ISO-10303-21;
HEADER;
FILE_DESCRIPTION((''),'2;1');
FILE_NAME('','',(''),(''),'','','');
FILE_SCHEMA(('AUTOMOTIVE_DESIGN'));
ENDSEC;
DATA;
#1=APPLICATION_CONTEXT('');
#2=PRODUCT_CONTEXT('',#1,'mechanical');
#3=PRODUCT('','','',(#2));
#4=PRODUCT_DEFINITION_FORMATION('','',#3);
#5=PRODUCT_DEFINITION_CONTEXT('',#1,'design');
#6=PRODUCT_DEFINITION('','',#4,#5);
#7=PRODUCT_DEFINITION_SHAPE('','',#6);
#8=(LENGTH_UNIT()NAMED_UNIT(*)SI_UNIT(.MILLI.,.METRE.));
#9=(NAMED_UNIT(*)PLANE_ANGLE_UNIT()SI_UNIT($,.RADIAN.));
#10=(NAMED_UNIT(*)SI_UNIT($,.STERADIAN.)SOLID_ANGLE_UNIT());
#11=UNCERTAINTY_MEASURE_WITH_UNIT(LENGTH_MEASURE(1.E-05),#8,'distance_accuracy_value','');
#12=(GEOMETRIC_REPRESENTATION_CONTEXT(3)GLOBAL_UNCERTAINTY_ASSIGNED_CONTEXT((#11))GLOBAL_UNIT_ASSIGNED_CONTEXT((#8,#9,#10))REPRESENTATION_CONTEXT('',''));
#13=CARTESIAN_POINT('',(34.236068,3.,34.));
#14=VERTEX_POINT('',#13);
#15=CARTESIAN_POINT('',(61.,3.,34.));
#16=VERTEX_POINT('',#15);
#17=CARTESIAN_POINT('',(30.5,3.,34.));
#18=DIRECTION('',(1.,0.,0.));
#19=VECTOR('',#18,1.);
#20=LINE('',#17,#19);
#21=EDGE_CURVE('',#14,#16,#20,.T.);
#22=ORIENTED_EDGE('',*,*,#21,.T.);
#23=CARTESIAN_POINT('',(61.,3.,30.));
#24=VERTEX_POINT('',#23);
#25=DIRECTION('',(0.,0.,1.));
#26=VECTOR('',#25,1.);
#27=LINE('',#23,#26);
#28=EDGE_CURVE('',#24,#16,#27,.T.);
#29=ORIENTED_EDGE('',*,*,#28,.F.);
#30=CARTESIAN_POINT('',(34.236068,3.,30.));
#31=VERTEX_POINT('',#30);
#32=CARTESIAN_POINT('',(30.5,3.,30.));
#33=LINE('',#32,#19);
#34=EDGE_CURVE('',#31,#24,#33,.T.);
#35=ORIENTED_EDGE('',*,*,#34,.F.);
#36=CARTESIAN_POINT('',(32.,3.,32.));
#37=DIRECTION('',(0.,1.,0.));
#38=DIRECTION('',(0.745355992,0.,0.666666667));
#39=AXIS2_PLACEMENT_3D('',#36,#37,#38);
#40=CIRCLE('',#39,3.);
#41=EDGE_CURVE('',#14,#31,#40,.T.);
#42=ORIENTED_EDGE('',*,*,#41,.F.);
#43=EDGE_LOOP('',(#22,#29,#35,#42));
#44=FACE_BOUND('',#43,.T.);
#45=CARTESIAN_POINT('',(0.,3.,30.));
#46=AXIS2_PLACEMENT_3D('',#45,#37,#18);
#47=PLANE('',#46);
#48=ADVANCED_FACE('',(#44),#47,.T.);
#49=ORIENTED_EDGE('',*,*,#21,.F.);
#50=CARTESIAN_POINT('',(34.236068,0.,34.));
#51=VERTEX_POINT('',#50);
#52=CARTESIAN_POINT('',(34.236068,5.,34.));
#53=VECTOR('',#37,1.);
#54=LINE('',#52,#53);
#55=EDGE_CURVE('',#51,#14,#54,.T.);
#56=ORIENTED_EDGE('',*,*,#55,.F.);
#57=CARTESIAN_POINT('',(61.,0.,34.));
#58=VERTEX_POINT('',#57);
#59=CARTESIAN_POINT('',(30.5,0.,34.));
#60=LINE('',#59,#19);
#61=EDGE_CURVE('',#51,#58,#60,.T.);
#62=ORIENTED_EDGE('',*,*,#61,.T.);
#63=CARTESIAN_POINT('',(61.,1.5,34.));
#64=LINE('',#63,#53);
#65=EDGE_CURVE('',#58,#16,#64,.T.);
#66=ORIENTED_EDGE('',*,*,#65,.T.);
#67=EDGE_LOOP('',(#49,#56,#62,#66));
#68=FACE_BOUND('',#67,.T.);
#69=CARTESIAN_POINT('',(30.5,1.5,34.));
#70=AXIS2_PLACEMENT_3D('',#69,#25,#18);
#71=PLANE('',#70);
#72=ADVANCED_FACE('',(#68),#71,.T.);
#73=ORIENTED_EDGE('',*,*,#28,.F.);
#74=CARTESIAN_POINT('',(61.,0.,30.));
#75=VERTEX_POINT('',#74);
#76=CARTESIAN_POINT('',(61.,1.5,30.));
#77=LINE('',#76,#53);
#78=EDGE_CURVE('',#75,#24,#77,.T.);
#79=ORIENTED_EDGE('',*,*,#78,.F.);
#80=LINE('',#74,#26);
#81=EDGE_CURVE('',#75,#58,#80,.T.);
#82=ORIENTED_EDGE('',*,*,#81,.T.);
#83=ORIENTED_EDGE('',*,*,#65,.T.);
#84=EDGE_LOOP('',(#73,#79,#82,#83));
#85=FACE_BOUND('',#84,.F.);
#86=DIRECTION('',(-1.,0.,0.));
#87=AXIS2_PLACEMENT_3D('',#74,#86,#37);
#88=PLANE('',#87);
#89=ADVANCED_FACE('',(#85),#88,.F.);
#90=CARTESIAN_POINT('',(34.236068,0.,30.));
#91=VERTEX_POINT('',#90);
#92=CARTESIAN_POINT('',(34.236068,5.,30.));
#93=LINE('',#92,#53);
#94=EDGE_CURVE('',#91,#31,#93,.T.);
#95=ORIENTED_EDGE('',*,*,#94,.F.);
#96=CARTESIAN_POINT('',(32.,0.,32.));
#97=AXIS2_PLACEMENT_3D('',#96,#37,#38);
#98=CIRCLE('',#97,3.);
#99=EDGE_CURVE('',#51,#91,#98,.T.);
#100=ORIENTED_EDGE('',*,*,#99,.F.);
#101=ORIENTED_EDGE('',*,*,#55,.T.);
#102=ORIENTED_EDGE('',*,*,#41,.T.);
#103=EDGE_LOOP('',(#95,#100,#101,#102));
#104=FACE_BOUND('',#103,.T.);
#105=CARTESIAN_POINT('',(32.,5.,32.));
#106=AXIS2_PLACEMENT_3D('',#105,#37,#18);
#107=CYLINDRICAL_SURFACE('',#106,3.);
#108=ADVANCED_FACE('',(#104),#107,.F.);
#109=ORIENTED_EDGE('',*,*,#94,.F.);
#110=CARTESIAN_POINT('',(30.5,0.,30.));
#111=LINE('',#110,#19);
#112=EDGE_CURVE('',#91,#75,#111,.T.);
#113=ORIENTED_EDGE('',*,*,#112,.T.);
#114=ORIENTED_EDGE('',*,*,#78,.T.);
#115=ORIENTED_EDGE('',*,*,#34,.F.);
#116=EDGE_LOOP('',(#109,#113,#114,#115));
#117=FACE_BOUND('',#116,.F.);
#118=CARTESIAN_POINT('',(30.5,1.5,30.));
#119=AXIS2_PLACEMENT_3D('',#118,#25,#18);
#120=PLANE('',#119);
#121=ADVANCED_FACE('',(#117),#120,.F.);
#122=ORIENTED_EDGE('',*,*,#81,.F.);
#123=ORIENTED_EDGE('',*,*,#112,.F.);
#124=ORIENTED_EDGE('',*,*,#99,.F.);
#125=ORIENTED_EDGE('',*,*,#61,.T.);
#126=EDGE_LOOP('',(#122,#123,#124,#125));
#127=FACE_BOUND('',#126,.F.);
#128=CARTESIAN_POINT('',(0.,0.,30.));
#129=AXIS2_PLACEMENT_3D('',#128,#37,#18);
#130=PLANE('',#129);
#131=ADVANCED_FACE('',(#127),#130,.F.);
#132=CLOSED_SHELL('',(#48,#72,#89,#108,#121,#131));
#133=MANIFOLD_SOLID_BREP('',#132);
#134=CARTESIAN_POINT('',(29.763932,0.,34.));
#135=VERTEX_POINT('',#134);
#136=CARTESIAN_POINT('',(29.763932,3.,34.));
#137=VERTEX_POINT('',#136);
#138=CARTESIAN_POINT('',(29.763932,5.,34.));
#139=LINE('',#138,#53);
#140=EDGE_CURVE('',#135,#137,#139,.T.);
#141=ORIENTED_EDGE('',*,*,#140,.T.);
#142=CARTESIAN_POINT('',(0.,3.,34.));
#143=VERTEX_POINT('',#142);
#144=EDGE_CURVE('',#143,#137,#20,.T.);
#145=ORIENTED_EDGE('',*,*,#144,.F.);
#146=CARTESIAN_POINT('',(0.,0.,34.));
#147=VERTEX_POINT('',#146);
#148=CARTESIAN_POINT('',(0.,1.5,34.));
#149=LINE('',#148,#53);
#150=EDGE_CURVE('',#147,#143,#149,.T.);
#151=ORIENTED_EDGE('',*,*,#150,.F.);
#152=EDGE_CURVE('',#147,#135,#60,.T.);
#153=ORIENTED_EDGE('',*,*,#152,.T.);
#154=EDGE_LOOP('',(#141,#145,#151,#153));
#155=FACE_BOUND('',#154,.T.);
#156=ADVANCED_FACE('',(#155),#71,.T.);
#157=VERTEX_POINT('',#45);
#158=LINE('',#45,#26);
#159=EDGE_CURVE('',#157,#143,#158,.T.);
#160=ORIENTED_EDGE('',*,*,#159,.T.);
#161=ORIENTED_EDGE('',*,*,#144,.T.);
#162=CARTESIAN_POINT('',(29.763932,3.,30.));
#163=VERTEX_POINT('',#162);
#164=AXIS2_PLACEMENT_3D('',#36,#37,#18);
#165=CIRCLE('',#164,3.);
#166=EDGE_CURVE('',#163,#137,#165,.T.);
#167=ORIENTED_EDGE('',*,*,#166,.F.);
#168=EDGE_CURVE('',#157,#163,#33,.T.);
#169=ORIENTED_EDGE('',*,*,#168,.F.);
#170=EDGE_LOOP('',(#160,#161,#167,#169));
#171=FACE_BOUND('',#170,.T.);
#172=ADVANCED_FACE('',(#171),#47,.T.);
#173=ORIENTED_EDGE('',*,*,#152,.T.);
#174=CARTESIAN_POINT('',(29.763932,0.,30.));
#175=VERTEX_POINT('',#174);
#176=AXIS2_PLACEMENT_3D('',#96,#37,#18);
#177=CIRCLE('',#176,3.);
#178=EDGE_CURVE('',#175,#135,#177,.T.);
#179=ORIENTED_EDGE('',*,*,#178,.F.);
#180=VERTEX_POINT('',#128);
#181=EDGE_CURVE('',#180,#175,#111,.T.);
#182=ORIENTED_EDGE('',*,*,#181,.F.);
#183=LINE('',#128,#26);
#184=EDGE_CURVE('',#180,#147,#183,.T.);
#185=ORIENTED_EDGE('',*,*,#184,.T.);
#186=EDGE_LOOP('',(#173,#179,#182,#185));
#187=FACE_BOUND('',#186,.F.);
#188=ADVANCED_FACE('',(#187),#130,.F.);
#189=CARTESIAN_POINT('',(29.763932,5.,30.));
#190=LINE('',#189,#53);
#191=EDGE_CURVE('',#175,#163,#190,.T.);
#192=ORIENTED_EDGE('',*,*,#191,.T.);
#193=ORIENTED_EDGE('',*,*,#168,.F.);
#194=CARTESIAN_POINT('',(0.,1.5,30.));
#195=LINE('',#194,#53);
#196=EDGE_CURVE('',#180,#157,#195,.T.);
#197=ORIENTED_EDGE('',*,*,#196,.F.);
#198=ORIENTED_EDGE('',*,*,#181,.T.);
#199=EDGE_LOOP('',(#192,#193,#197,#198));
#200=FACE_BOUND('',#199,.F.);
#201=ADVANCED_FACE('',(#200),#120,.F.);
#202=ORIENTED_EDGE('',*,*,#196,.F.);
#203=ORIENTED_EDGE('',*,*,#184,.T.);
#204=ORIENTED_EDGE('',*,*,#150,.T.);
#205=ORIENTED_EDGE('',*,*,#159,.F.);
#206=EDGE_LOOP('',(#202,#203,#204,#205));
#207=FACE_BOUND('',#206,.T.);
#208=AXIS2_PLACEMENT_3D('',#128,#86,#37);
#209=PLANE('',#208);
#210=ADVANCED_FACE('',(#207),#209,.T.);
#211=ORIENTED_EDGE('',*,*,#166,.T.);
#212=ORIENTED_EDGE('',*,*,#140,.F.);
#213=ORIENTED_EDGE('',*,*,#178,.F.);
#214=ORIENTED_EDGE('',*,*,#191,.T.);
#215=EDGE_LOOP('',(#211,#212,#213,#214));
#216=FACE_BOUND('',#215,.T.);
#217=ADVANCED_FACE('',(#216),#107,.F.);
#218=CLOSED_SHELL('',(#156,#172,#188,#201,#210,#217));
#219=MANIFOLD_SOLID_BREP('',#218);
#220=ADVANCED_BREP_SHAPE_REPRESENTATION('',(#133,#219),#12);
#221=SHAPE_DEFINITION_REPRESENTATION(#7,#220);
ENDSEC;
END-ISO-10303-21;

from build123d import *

# Parameters (mm, degrees)
CYLINDER869_R     = 3
CYLINDER869_DEPTH = 10
BOX420_W          = 61
BOX420_H          = 3
BOX420_DEPTH      = 4


with BuildPart() as v_lec869:
    # Cylinder869 → Cylinder869 (new body)
    with BuildSketch(Plane(origin=(32, 5, 32), x_dir=(1, 0, 0), z_dir=(0, -1, 0))):
        Circle(CYLINDER869_R)
    extrude(amount=CYLINDER869_DEPTH)


with BuildPart() as cut018:
    # Box420 → Box420 (new body)
    with BuildSketch(Plane.XY.offset(30)):
        with Locations((30.5, 1.5)):
            Rectangle(BOX420_W, BOX420_H)
    extrude(amount=BOX420_DEPTH)

    # Cut018: cut Válec869
    add(v_lec869.part, mode=Mode.SUBTRACT)


solid = cut018.part
